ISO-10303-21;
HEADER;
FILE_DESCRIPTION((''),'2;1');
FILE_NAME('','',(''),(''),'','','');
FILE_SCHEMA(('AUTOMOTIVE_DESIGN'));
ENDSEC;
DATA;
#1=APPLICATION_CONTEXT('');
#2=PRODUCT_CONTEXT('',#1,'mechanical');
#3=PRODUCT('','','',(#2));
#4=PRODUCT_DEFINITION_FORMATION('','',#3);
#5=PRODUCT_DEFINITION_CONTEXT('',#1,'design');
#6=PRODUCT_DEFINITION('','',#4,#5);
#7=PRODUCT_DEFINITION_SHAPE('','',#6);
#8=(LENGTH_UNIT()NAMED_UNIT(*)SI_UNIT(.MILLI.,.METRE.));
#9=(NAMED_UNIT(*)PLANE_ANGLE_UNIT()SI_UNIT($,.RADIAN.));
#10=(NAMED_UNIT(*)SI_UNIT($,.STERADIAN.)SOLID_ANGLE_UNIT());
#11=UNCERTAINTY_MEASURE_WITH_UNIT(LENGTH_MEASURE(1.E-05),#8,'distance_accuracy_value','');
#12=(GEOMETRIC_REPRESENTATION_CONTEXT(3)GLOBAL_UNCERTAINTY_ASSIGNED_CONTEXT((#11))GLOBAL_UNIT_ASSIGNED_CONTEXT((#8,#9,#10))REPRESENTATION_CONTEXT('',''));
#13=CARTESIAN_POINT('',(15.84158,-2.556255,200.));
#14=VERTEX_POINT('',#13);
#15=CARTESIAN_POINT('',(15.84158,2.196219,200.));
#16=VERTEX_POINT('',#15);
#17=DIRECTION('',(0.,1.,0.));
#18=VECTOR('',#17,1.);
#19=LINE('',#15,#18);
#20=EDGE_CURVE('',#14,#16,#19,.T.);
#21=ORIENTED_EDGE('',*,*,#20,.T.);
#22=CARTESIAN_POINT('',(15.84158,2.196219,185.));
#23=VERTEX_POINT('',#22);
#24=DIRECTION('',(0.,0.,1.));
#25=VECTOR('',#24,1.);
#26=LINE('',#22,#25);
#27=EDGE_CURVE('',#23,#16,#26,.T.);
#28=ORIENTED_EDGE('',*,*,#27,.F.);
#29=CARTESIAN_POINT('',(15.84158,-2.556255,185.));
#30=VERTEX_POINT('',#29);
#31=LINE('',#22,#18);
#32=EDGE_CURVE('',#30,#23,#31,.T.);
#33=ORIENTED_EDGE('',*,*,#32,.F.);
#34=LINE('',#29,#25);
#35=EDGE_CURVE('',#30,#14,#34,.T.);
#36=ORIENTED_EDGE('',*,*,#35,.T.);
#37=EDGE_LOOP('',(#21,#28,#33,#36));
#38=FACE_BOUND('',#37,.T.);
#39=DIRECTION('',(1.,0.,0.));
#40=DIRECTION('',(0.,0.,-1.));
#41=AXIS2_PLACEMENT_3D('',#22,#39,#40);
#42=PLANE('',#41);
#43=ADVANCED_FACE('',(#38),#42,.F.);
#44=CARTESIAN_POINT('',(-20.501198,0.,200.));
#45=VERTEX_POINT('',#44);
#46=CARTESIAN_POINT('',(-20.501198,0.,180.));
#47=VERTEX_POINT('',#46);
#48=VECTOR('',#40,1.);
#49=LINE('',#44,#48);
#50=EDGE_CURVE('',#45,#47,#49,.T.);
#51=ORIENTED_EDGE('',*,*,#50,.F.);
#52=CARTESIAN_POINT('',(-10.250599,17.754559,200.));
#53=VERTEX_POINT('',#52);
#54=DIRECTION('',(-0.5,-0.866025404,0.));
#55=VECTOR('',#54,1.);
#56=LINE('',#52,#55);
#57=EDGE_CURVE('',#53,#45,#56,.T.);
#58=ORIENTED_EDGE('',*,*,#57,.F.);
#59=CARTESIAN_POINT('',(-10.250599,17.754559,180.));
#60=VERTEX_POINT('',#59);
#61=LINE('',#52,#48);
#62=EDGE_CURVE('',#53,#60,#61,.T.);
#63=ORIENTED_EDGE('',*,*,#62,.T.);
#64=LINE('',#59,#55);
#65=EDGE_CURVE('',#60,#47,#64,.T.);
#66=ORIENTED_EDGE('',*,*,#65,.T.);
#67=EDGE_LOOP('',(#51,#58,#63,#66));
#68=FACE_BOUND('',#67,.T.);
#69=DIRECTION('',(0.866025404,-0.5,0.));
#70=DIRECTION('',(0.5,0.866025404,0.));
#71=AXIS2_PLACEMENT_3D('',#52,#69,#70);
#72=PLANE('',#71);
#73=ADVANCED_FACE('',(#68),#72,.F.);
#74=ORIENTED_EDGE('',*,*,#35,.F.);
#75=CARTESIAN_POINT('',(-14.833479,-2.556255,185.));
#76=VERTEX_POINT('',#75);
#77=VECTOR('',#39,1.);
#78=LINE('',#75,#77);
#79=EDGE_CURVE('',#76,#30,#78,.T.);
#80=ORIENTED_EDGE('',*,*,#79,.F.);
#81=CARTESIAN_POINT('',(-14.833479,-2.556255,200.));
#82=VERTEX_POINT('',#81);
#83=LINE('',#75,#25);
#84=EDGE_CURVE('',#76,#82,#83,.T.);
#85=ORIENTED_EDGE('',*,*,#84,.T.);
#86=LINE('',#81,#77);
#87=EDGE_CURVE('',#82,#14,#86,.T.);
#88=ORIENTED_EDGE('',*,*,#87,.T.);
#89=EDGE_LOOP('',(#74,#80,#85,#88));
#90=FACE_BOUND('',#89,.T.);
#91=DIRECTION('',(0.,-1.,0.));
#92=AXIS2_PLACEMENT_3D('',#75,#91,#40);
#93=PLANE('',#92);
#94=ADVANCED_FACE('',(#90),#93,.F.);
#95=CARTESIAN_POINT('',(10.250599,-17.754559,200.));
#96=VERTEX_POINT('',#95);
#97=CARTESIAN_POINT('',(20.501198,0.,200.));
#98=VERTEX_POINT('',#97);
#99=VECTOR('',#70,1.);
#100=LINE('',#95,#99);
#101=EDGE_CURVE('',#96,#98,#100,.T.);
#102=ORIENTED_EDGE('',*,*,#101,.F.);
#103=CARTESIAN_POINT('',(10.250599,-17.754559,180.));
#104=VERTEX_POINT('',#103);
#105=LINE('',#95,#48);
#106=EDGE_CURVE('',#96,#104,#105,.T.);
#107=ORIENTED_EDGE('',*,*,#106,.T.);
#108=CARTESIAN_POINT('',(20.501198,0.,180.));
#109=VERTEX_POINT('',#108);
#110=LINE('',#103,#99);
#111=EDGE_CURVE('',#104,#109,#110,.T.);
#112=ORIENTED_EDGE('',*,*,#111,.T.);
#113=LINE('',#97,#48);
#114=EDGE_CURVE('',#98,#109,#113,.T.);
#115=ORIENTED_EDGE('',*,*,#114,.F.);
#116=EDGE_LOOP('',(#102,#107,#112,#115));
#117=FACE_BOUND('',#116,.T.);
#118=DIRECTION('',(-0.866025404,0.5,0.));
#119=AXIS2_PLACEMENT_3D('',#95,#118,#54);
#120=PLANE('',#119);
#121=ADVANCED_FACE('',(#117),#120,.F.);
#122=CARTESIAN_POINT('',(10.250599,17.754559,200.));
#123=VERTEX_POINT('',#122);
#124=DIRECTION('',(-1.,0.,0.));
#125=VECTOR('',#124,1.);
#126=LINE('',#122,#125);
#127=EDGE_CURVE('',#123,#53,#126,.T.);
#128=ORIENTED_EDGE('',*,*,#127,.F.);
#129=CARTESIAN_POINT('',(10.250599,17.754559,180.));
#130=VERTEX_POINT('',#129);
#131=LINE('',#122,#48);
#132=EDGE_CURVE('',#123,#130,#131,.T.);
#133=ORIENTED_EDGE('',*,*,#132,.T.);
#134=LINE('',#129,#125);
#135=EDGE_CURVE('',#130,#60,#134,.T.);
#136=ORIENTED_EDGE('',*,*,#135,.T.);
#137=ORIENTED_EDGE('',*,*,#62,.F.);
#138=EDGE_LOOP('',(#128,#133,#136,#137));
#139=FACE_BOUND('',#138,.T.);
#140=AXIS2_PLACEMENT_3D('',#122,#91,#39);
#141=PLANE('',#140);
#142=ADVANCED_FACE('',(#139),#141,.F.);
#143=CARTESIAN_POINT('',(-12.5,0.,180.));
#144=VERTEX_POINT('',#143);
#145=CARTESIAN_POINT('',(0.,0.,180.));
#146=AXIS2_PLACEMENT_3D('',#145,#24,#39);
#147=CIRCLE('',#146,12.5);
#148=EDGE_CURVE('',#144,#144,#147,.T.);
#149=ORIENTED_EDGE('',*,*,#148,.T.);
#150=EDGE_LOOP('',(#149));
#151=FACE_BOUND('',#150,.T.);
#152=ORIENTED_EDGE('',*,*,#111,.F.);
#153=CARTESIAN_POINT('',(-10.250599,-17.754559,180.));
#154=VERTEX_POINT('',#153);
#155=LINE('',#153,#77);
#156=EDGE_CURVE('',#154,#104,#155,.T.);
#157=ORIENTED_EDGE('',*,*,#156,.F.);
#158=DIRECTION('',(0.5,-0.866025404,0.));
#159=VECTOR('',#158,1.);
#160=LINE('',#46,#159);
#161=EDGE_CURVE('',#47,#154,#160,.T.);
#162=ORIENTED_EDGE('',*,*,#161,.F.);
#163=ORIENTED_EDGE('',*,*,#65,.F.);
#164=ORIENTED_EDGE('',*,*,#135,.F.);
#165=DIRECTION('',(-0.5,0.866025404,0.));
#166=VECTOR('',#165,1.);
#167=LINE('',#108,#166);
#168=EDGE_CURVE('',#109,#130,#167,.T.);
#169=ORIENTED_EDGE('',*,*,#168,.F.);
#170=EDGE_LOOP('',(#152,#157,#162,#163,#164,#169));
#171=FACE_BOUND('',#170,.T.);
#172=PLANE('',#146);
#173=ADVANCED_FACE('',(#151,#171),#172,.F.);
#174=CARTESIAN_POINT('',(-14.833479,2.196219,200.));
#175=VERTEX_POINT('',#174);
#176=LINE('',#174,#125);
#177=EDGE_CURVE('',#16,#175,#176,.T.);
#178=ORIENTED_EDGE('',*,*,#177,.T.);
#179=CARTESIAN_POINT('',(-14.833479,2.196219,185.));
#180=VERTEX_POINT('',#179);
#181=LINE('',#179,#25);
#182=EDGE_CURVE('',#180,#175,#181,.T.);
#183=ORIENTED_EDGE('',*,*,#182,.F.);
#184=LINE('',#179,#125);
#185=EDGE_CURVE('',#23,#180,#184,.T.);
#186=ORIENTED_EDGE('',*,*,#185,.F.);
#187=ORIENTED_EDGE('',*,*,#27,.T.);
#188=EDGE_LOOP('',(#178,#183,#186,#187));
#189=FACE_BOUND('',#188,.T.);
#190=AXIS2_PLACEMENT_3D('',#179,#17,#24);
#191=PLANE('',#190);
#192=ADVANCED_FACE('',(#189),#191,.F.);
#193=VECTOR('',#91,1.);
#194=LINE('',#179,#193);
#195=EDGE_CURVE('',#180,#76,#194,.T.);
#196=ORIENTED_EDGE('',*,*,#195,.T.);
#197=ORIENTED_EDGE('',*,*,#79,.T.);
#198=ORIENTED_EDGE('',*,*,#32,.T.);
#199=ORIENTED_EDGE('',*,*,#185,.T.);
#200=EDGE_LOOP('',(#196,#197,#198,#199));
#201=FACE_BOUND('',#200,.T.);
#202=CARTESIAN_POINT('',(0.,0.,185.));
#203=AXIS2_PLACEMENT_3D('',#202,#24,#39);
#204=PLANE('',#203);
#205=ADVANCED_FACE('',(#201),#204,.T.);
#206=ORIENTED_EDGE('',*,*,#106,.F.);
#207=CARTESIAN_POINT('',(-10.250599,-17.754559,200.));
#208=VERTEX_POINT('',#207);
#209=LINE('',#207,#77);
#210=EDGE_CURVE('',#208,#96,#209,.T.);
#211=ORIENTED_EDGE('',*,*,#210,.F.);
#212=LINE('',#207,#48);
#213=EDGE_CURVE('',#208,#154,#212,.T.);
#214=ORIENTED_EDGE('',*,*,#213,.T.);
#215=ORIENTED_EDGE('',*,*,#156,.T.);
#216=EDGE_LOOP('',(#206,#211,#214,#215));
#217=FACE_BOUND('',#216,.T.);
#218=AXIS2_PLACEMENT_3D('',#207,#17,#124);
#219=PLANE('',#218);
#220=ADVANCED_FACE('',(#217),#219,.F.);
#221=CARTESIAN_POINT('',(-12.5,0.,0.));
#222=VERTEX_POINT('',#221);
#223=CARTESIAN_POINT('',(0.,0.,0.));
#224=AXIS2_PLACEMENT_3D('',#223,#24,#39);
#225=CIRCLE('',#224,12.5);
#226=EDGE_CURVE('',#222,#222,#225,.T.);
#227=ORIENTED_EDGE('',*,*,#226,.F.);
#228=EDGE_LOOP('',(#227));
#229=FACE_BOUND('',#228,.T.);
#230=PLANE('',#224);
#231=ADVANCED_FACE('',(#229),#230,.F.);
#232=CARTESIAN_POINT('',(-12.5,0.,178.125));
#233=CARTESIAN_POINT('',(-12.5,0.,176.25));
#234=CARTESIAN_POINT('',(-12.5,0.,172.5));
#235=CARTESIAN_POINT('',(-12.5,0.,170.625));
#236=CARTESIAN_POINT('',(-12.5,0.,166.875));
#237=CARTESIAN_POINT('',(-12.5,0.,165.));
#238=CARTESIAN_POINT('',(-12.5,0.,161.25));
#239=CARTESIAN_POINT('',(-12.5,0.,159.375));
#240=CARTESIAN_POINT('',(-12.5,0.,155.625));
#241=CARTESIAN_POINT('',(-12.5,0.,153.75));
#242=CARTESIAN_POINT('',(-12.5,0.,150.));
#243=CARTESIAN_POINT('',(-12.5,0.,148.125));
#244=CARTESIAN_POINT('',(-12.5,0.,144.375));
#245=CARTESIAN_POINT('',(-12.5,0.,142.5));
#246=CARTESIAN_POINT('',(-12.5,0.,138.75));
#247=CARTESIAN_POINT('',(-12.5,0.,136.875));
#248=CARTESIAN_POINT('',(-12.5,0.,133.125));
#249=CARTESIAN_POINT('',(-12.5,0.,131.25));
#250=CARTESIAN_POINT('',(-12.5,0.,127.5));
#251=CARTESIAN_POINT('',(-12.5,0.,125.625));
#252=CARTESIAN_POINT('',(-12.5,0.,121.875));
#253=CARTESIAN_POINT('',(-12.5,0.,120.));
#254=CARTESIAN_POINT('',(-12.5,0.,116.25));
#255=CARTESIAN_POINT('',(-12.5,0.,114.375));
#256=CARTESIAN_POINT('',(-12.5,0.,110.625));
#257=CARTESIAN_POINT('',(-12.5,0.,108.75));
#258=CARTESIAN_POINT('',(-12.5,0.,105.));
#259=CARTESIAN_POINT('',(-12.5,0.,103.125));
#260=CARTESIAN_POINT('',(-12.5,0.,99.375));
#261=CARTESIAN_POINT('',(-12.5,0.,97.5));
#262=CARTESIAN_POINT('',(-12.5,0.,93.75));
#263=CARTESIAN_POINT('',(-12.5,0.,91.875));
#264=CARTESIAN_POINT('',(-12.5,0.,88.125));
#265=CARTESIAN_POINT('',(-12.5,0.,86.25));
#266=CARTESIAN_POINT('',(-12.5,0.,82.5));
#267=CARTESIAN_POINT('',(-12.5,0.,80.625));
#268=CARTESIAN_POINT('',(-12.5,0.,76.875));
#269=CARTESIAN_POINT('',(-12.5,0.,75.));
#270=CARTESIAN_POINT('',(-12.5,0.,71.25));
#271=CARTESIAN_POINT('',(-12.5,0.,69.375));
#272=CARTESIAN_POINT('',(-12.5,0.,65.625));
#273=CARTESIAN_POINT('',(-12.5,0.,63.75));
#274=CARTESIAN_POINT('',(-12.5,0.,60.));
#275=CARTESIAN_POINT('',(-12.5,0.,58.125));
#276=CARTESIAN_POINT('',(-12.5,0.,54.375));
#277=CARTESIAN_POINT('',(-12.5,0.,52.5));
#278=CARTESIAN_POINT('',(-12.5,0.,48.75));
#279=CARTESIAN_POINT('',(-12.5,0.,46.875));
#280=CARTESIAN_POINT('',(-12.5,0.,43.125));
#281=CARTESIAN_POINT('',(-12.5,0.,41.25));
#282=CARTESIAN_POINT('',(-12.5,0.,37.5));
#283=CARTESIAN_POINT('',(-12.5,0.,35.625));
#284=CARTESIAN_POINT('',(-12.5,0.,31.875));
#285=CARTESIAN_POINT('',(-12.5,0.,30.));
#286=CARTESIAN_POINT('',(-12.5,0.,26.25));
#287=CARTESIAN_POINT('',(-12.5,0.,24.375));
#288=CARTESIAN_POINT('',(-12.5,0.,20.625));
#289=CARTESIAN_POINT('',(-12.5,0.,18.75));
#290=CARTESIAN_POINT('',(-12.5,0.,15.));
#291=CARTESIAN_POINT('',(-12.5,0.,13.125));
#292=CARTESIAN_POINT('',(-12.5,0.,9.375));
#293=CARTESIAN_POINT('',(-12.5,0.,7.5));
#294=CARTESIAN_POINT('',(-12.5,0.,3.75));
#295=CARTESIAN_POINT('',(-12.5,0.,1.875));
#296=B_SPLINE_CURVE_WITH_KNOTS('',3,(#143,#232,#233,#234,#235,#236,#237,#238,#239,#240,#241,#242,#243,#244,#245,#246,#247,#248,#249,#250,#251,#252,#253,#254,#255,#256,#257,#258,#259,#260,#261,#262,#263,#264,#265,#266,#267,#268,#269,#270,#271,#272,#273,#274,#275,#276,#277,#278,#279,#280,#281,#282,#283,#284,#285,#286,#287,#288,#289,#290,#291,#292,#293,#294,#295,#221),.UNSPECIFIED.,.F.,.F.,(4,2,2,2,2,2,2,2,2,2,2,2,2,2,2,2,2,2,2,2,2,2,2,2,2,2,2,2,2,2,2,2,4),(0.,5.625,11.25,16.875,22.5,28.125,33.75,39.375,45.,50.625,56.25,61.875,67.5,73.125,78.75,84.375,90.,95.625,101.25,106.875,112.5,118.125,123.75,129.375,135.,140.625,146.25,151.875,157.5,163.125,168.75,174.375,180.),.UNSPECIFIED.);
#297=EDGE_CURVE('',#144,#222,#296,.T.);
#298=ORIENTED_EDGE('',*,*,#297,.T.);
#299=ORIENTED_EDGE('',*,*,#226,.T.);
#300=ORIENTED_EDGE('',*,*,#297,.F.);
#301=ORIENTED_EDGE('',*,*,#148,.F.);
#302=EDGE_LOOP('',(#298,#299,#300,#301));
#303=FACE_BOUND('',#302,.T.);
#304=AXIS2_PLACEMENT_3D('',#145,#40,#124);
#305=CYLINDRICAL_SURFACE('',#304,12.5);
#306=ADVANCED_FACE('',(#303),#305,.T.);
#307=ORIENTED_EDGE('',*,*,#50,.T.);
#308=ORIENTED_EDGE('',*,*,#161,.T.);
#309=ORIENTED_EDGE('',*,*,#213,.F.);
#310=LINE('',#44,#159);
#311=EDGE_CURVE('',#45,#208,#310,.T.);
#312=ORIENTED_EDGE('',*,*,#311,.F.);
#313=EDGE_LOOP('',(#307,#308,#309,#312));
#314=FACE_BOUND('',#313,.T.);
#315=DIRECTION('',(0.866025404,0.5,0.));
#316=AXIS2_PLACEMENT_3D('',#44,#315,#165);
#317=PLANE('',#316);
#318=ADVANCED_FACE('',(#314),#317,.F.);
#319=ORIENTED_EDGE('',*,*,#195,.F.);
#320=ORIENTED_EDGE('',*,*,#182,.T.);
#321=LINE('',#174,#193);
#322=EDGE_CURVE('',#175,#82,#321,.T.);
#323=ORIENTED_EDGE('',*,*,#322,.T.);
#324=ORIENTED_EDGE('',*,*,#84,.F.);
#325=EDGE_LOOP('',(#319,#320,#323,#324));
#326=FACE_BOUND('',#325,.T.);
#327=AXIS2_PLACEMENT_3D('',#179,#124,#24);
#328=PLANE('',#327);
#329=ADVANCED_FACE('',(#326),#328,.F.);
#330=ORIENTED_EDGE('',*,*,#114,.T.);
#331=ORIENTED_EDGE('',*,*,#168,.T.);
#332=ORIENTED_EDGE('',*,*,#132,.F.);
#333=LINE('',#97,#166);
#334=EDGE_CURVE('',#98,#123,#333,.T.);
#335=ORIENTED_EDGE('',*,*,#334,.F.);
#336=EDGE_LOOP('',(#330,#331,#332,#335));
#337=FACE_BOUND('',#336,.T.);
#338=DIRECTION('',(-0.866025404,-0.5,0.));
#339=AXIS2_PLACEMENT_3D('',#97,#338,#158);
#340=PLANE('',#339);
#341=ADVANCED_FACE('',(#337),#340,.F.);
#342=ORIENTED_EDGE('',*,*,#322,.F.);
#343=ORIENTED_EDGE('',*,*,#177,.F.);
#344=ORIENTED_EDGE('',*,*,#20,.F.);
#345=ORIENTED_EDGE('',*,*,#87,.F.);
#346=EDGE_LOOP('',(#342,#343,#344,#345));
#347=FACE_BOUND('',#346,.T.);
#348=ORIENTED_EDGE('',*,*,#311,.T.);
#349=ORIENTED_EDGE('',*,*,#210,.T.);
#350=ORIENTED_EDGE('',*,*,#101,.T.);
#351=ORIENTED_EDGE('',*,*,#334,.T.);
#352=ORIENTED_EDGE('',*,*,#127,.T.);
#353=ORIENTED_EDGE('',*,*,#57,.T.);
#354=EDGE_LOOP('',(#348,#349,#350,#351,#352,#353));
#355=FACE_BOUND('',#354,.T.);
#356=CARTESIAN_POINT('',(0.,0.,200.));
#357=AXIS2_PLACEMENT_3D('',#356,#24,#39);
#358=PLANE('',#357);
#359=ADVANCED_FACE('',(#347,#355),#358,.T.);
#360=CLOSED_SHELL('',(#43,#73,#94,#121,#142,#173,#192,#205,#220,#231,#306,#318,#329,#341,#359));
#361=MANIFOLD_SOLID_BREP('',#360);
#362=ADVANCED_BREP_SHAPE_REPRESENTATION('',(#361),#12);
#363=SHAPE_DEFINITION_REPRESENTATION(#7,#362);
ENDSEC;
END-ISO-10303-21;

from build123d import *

# Parameters (mm, degrees)
SKETCH1_R           = 12.5
BOSS_EXTRUDE1_DEPTH = 180
BOSS_EXTRUDE2_DEPTH = 20
SKETCH3_W           = 30.675059353
SKETCH3_H           = 4.752473984
CUT_EXTRUDE1_DEPTH  = 15


with BuildPart() as part:
    # Sketch1 → Boss-Extrude1 (new body)
    with BuildSketch(Plane.XY):
        with Locations(Location((0, 0, 0), (0, 0, 180))):
            Circle(SKETCH1_R)
    extrude(amount=BOSS_EXTRUDE1_DEPTH)

    # Sketch2 → Boss-Extrude2 (add)
    with BuildSketch(Plane.XY.offset(180)):
        Polygon((20.501198272, 0), (10.250599136, 17.754558511), (-10.250599136, 17.754558511), (-20.501198272, 0), (-10.250599136, -17.754558511), (10.250599136, -17.754558511), align=None)
    extrude(amount=BOSS_EXTRUDE2_DEPTH)

    # Sketch3 → Cut-Extrude1 (cut)
    with BuildSketch(Plane.XY.offset(200)):
        with Locations((0.504050272, -0.180017954)):
            Rectangle(SKETCH3_W, SKETCH3_H)
    extrude(amount=-CUT_EXTRUDE1_DEPTH, mode=Mode.SUBTRACT)


solid = part.part
